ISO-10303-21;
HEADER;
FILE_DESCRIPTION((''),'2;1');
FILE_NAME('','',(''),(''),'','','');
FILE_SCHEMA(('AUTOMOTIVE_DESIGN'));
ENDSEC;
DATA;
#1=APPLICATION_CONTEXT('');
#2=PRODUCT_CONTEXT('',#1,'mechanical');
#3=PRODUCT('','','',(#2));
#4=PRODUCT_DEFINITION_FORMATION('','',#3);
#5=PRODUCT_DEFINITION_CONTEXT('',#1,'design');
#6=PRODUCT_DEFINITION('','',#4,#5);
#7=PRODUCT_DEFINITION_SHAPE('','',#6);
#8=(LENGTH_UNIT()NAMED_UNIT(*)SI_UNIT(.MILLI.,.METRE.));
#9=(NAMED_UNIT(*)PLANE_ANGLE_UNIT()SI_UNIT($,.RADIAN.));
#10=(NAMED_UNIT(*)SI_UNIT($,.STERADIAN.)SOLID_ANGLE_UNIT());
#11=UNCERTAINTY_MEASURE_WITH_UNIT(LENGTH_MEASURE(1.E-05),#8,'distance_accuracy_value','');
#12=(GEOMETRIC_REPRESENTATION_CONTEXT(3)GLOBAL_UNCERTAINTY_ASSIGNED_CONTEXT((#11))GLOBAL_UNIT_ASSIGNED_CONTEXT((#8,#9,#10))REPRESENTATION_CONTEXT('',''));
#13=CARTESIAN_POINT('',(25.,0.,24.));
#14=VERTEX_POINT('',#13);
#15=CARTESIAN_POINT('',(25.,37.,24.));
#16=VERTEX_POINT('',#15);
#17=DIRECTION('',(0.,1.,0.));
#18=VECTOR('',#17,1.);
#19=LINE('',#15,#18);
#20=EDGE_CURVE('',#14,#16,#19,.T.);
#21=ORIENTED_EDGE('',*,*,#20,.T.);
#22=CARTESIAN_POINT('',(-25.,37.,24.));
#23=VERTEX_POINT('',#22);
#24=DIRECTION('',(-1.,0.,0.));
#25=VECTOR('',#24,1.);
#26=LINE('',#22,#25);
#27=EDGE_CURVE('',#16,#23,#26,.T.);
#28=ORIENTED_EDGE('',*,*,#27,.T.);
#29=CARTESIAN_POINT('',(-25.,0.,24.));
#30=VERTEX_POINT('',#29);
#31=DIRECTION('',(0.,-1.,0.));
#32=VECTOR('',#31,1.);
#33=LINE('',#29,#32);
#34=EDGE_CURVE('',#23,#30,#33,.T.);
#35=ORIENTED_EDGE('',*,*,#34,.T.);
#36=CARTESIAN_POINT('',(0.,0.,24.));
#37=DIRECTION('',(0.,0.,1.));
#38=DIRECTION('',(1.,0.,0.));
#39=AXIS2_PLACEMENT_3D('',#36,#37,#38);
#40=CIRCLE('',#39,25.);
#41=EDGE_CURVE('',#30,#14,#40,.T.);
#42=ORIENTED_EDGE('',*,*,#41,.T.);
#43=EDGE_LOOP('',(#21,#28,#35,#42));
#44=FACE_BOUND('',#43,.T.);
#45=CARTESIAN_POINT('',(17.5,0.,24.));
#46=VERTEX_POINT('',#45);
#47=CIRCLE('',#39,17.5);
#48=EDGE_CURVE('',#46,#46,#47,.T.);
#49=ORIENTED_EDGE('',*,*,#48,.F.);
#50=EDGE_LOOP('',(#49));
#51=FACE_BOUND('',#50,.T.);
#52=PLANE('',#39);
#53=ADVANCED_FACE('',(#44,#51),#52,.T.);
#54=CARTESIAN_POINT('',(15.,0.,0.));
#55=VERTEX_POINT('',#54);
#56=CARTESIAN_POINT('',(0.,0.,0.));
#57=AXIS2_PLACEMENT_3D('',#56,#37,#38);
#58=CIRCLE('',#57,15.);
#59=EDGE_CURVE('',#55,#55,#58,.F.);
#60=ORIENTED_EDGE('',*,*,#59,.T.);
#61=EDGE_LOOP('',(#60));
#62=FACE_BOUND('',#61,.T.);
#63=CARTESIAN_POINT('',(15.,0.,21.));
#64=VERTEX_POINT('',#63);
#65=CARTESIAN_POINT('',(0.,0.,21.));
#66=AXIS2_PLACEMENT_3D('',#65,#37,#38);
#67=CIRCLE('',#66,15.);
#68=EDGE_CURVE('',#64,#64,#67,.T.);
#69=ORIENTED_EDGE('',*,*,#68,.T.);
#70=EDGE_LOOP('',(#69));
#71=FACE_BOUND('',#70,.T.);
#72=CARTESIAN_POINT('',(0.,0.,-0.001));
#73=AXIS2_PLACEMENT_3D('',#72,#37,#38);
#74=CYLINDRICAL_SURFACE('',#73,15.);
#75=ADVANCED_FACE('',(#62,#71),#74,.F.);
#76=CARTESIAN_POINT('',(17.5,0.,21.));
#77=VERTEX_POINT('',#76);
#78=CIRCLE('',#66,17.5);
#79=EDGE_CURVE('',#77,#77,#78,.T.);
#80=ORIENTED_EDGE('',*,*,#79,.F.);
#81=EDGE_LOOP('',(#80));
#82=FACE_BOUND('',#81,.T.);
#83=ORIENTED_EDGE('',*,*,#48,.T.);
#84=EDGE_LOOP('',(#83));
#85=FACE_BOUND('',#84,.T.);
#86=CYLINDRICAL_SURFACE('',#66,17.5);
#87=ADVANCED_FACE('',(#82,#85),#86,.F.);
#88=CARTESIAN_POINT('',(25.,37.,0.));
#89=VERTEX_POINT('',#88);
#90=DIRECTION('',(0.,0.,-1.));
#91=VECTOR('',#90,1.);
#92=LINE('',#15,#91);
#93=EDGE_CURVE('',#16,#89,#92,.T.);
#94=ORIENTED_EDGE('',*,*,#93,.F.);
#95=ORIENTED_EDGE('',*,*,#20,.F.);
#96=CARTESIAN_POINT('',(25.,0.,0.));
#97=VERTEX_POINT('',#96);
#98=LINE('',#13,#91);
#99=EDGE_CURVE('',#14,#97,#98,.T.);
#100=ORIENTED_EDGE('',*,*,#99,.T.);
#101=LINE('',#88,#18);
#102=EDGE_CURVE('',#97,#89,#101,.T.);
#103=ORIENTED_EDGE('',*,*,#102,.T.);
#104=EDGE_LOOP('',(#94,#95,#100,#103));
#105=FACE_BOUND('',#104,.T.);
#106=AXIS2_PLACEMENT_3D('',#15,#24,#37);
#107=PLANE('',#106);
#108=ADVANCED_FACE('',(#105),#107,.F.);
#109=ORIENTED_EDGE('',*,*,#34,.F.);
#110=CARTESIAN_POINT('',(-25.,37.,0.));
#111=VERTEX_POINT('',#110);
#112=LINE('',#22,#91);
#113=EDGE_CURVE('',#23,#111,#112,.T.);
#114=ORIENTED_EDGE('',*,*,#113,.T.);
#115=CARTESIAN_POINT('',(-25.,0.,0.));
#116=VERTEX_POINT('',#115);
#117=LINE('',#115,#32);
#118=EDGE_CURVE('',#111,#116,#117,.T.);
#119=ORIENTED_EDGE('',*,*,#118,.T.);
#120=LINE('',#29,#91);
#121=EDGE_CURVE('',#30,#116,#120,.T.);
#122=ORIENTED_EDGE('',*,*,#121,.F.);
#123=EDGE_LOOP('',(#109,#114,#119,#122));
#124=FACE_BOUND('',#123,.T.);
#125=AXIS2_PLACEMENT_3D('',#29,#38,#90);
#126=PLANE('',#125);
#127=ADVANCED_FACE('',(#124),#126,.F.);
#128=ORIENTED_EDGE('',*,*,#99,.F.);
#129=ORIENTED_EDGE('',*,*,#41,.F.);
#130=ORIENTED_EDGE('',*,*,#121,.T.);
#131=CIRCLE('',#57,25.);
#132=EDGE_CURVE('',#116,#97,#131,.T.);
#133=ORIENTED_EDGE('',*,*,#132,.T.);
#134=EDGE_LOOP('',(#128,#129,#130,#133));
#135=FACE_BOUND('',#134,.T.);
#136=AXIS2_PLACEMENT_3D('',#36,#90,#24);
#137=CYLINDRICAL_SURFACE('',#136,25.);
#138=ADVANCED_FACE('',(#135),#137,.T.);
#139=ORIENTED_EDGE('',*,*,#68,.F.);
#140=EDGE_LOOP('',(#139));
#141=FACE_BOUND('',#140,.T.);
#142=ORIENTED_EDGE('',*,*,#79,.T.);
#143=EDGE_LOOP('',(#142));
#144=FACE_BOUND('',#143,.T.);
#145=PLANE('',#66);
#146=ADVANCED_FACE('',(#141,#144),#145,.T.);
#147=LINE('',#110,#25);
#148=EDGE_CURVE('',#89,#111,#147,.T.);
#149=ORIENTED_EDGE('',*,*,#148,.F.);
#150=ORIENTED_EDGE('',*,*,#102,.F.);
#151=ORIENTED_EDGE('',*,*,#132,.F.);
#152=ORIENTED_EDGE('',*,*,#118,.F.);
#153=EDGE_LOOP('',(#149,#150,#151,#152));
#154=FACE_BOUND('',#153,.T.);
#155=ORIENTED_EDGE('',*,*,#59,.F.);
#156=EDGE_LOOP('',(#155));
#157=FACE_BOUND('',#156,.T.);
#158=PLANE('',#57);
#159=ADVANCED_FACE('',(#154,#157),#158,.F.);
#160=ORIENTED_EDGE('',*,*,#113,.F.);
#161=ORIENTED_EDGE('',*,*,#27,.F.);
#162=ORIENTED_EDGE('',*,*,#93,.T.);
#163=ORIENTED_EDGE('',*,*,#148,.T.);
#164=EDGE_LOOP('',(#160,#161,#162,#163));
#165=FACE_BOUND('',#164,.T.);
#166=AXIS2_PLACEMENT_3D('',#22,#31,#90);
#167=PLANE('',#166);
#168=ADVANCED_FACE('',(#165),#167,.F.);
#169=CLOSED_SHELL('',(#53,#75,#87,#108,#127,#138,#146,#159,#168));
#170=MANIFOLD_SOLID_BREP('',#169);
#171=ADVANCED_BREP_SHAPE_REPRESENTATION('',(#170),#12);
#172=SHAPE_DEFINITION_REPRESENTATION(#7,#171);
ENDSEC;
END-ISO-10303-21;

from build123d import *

# Parameters (mm, degrees)
EXTRUDE_1_DEPTH     = 24
SKETCH_2_R          = 17.5
CUT_EXTRUDE_1_DEPTH = 3
CUT_EXTRUDE_2_REACH = 51.346
SKETCH_3_R          = 15


with BuildPart() as part:
    # 草图1 → 凸台-拉伸1 (new body)
    with BuildSketch(Plane.XY):
        with BuildLine():
            Line((-25, 0), (-25, 37))
            Line((-25, 37), (25, 37))
            Line((25, 37), (25, 0))
            ThreePointArc((25, 0), (0, -25), (-25, 0))
        make_face()
    extrude(amount=EXTRUDE_1_DEPTH)

    # 草图2 → 切除-拉伸1 (cut)
    with BuildSketch(Plane.XY.offset(24)):
        Circle(SKETCH_2_R)
    extrude(amount=-CUT_EXTRUDE_1_DEPTH, mode=Mode.SUBTRACT)

    # 草图3 → 切除-拉伸2 (cut, up to next)
    with BuildSketch(Plane.XY.offset(21), mode=Mode.PRIVATE) as cut_extrude_2_sk1:
        Circle(SKETCH_3_R)
    cut_extrude_2_tool1 = extrude(cut_extrude_2_sk1.sketch, amount=-CUT_EXTRUDE_2_REACH, mode=Mode.PRIVATE) & part.part
    add(cut_extrude_2_tool1.solids().sort_by_distance((0, 0, 21))[0], mode=Mode.SUBTRACT)


solid = part.part
